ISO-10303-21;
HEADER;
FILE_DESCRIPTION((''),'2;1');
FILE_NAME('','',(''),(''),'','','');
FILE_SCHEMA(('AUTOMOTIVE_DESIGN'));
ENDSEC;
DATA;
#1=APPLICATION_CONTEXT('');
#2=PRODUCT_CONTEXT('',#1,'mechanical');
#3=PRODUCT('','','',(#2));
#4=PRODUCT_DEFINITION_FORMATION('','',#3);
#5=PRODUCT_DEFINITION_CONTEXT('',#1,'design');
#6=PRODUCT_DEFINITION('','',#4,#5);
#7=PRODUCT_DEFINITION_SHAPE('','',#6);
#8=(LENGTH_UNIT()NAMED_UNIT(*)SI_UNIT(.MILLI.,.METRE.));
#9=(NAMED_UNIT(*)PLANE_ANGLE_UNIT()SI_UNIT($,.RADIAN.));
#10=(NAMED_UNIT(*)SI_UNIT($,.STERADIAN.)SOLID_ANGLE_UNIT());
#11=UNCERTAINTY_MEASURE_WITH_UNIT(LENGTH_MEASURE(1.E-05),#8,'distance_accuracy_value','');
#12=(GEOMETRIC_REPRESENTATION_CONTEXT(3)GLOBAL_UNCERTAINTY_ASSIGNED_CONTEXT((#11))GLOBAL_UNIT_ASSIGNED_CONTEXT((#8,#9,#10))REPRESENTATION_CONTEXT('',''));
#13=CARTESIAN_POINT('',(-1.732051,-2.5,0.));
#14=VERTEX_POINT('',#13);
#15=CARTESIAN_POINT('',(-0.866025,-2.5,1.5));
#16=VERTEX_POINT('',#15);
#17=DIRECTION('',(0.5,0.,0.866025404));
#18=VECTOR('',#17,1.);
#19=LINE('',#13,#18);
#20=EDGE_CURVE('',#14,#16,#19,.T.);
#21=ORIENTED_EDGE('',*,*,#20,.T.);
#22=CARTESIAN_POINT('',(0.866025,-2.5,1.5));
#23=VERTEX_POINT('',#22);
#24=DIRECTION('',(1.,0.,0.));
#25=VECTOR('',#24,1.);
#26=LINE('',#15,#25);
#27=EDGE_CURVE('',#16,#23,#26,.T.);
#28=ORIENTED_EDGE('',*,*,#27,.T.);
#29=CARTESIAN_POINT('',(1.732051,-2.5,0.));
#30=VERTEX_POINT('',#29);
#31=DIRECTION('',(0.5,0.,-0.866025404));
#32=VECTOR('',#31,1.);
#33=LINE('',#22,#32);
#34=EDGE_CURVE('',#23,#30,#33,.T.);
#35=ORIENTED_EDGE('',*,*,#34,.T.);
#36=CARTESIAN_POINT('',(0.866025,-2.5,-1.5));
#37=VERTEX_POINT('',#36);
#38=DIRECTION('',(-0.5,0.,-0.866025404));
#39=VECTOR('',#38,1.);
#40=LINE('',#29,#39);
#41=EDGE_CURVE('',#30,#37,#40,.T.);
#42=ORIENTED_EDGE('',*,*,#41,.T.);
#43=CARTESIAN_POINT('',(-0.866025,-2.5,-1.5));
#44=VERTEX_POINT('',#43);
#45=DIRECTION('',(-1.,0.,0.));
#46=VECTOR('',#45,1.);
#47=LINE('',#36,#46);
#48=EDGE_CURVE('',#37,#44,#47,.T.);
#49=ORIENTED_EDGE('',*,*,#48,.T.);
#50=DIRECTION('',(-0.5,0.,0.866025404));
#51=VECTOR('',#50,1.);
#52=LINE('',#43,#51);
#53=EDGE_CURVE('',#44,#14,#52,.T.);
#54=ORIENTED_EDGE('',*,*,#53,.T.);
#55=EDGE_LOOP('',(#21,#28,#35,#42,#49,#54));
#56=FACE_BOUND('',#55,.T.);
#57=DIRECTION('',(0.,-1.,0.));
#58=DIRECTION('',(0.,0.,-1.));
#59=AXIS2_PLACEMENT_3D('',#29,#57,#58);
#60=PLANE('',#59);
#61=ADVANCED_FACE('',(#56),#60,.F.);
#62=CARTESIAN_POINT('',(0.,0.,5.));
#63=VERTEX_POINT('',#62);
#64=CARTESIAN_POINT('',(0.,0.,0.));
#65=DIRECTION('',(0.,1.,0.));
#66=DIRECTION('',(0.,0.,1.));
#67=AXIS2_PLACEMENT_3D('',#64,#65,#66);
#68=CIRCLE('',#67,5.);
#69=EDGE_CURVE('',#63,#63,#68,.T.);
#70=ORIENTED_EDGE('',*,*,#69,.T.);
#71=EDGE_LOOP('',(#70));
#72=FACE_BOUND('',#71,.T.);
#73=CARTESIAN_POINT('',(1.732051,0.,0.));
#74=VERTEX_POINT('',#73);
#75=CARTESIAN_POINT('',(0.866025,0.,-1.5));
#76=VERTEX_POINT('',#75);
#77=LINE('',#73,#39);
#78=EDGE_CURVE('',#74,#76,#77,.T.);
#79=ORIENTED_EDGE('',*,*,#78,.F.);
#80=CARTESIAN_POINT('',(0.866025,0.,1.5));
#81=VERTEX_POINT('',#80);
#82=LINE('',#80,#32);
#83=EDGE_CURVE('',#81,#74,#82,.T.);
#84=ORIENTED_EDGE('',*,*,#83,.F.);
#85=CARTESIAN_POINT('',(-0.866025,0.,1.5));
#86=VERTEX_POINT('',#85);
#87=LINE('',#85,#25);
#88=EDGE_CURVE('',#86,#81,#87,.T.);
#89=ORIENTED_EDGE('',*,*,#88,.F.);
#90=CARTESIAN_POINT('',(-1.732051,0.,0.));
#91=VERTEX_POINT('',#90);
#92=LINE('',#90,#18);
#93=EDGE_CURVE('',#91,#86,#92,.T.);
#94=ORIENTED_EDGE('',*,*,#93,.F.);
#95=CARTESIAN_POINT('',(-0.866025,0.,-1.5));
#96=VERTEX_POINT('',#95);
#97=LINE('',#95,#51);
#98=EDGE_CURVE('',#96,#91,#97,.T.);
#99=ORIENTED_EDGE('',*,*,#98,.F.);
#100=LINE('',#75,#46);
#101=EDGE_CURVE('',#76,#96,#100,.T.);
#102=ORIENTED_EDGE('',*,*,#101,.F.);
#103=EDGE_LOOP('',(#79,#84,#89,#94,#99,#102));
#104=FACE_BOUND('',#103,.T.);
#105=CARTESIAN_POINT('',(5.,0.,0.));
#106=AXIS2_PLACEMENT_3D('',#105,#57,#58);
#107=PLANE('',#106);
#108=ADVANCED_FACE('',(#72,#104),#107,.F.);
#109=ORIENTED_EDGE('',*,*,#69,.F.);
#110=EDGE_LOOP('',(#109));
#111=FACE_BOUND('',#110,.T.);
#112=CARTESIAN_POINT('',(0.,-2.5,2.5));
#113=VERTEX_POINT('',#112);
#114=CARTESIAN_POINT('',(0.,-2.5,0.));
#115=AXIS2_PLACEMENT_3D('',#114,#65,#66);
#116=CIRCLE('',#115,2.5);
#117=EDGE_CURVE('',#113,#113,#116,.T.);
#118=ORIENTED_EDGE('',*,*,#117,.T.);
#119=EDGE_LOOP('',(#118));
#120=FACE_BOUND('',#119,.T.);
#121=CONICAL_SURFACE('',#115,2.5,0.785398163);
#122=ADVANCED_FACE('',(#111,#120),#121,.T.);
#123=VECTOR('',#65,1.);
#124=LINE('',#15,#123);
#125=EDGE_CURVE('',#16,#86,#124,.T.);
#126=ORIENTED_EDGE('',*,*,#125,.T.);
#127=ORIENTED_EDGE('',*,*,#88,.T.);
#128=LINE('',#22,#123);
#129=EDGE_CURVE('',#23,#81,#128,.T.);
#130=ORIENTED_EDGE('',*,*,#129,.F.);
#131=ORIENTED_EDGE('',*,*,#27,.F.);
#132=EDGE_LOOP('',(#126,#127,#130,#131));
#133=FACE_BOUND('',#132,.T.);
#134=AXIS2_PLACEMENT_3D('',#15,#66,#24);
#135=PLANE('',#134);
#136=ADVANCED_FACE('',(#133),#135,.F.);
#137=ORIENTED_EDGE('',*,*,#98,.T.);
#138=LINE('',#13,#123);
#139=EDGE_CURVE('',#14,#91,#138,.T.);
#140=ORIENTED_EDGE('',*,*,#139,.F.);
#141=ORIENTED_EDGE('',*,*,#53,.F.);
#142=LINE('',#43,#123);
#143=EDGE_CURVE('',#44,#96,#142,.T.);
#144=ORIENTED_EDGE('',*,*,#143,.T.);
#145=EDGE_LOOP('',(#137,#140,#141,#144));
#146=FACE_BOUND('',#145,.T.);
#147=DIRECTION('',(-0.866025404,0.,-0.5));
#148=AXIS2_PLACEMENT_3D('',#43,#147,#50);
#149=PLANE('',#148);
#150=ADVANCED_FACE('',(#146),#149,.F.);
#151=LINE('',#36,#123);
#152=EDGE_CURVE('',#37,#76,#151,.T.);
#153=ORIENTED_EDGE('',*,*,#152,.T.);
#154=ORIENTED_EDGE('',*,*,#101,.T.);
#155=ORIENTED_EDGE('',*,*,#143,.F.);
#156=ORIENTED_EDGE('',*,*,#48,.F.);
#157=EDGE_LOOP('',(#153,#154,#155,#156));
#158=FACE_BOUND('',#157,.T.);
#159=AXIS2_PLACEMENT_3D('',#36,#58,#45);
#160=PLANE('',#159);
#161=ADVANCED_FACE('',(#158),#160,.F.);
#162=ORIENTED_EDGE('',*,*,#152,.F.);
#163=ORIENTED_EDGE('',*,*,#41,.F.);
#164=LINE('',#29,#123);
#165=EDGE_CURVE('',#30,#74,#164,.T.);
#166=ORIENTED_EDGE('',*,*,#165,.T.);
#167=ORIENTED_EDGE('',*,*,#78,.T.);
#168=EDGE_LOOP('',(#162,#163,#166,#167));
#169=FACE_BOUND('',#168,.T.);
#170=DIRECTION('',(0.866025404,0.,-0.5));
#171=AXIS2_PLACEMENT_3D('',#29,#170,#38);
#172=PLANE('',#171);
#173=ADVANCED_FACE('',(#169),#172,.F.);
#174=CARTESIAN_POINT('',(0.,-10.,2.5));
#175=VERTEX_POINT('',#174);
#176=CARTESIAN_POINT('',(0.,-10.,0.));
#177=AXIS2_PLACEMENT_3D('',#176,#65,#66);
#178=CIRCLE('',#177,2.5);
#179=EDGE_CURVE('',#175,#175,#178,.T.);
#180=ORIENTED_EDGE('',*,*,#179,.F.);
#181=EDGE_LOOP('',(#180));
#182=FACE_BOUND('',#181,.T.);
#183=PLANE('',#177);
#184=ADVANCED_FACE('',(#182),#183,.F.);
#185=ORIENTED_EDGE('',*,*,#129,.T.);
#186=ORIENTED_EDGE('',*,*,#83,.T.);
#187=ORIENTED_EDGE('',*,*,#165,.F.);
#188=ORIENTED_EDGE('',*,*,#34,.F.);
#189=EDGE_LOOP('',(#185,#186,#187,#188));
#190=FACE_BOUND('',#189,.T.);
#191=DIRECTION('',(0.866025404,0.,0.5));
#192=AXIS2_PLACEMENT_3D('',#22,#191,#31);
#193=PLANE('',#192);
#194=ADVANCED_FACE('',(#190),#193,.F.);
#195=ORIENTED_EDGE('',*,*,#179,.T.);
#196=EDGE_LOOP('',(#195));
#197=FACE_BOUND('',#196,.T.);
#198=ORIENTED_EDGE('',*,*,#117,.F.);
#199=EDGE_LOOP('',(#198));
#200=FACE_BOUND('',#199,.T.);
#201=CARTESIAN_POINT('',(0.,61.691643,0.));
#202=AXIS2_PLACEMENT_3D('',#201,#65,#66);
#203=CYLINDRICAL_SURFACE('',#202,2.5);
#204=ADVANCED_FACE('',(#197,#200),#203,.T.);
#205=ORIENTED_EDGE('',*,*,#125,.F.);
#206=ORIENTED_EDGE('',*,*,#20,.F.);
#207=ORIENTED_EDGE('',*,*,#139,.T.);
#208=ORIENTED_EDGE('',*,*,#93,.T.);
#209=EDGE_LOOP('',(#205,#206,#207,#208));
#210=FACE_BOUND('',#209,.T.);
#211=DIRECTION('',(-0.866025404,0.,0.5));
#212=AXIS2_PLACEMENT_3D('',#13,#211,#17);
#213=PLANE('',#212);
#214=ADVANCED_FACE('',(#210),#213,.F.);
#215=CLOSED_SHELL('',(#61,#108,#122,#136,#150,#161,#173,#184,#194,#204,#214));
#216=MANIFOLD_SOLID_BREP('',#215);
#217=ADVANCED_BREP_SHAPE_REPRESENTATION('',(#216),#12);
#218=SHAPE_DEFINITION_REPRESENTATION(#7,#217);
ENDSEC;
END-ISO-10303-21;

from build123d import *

# Parameters (mm, degrees)
CUT_EXTRUDE1_DEPTH = 2.5


with BuildPart() as part:
    # Sketch1 → Revolve1 (revolve)
    with BuildSketch(Plane.XY, mode=Mode.PRIVATE) as revolve1_sk:
        Polygon((0, -10), (2.5, -10), (2.5, -2.5), (5, 0), (0, 0), align=None)
    revolve(revolve1_sk.sketch.rotate(Axis((0, 61.691642626, 0), (0, -1, 0)), 90), axis=Axis((0, 61.691642626, 0), (0, -1, 0)))

    # Sketch2 → Cut-Extrude1 (cut)
    with BuildSketch(Plane(origin=(0, 0, 0), x_dir=(-1, 0, 0), z_dir=(0, 1, 0))):
        Polygon((-0.866025404, -1.5), (0.866025404, -1.5), (1.732050808, 0), (0.866025404, 1.5), (-0.866025404, 1.5), (-1.732050808, 0), align=None)
    extrude(amount=-CUT_EXTRUDE1_DEPTH, mode=Mode.SUBTRACT)


solid = part.part
